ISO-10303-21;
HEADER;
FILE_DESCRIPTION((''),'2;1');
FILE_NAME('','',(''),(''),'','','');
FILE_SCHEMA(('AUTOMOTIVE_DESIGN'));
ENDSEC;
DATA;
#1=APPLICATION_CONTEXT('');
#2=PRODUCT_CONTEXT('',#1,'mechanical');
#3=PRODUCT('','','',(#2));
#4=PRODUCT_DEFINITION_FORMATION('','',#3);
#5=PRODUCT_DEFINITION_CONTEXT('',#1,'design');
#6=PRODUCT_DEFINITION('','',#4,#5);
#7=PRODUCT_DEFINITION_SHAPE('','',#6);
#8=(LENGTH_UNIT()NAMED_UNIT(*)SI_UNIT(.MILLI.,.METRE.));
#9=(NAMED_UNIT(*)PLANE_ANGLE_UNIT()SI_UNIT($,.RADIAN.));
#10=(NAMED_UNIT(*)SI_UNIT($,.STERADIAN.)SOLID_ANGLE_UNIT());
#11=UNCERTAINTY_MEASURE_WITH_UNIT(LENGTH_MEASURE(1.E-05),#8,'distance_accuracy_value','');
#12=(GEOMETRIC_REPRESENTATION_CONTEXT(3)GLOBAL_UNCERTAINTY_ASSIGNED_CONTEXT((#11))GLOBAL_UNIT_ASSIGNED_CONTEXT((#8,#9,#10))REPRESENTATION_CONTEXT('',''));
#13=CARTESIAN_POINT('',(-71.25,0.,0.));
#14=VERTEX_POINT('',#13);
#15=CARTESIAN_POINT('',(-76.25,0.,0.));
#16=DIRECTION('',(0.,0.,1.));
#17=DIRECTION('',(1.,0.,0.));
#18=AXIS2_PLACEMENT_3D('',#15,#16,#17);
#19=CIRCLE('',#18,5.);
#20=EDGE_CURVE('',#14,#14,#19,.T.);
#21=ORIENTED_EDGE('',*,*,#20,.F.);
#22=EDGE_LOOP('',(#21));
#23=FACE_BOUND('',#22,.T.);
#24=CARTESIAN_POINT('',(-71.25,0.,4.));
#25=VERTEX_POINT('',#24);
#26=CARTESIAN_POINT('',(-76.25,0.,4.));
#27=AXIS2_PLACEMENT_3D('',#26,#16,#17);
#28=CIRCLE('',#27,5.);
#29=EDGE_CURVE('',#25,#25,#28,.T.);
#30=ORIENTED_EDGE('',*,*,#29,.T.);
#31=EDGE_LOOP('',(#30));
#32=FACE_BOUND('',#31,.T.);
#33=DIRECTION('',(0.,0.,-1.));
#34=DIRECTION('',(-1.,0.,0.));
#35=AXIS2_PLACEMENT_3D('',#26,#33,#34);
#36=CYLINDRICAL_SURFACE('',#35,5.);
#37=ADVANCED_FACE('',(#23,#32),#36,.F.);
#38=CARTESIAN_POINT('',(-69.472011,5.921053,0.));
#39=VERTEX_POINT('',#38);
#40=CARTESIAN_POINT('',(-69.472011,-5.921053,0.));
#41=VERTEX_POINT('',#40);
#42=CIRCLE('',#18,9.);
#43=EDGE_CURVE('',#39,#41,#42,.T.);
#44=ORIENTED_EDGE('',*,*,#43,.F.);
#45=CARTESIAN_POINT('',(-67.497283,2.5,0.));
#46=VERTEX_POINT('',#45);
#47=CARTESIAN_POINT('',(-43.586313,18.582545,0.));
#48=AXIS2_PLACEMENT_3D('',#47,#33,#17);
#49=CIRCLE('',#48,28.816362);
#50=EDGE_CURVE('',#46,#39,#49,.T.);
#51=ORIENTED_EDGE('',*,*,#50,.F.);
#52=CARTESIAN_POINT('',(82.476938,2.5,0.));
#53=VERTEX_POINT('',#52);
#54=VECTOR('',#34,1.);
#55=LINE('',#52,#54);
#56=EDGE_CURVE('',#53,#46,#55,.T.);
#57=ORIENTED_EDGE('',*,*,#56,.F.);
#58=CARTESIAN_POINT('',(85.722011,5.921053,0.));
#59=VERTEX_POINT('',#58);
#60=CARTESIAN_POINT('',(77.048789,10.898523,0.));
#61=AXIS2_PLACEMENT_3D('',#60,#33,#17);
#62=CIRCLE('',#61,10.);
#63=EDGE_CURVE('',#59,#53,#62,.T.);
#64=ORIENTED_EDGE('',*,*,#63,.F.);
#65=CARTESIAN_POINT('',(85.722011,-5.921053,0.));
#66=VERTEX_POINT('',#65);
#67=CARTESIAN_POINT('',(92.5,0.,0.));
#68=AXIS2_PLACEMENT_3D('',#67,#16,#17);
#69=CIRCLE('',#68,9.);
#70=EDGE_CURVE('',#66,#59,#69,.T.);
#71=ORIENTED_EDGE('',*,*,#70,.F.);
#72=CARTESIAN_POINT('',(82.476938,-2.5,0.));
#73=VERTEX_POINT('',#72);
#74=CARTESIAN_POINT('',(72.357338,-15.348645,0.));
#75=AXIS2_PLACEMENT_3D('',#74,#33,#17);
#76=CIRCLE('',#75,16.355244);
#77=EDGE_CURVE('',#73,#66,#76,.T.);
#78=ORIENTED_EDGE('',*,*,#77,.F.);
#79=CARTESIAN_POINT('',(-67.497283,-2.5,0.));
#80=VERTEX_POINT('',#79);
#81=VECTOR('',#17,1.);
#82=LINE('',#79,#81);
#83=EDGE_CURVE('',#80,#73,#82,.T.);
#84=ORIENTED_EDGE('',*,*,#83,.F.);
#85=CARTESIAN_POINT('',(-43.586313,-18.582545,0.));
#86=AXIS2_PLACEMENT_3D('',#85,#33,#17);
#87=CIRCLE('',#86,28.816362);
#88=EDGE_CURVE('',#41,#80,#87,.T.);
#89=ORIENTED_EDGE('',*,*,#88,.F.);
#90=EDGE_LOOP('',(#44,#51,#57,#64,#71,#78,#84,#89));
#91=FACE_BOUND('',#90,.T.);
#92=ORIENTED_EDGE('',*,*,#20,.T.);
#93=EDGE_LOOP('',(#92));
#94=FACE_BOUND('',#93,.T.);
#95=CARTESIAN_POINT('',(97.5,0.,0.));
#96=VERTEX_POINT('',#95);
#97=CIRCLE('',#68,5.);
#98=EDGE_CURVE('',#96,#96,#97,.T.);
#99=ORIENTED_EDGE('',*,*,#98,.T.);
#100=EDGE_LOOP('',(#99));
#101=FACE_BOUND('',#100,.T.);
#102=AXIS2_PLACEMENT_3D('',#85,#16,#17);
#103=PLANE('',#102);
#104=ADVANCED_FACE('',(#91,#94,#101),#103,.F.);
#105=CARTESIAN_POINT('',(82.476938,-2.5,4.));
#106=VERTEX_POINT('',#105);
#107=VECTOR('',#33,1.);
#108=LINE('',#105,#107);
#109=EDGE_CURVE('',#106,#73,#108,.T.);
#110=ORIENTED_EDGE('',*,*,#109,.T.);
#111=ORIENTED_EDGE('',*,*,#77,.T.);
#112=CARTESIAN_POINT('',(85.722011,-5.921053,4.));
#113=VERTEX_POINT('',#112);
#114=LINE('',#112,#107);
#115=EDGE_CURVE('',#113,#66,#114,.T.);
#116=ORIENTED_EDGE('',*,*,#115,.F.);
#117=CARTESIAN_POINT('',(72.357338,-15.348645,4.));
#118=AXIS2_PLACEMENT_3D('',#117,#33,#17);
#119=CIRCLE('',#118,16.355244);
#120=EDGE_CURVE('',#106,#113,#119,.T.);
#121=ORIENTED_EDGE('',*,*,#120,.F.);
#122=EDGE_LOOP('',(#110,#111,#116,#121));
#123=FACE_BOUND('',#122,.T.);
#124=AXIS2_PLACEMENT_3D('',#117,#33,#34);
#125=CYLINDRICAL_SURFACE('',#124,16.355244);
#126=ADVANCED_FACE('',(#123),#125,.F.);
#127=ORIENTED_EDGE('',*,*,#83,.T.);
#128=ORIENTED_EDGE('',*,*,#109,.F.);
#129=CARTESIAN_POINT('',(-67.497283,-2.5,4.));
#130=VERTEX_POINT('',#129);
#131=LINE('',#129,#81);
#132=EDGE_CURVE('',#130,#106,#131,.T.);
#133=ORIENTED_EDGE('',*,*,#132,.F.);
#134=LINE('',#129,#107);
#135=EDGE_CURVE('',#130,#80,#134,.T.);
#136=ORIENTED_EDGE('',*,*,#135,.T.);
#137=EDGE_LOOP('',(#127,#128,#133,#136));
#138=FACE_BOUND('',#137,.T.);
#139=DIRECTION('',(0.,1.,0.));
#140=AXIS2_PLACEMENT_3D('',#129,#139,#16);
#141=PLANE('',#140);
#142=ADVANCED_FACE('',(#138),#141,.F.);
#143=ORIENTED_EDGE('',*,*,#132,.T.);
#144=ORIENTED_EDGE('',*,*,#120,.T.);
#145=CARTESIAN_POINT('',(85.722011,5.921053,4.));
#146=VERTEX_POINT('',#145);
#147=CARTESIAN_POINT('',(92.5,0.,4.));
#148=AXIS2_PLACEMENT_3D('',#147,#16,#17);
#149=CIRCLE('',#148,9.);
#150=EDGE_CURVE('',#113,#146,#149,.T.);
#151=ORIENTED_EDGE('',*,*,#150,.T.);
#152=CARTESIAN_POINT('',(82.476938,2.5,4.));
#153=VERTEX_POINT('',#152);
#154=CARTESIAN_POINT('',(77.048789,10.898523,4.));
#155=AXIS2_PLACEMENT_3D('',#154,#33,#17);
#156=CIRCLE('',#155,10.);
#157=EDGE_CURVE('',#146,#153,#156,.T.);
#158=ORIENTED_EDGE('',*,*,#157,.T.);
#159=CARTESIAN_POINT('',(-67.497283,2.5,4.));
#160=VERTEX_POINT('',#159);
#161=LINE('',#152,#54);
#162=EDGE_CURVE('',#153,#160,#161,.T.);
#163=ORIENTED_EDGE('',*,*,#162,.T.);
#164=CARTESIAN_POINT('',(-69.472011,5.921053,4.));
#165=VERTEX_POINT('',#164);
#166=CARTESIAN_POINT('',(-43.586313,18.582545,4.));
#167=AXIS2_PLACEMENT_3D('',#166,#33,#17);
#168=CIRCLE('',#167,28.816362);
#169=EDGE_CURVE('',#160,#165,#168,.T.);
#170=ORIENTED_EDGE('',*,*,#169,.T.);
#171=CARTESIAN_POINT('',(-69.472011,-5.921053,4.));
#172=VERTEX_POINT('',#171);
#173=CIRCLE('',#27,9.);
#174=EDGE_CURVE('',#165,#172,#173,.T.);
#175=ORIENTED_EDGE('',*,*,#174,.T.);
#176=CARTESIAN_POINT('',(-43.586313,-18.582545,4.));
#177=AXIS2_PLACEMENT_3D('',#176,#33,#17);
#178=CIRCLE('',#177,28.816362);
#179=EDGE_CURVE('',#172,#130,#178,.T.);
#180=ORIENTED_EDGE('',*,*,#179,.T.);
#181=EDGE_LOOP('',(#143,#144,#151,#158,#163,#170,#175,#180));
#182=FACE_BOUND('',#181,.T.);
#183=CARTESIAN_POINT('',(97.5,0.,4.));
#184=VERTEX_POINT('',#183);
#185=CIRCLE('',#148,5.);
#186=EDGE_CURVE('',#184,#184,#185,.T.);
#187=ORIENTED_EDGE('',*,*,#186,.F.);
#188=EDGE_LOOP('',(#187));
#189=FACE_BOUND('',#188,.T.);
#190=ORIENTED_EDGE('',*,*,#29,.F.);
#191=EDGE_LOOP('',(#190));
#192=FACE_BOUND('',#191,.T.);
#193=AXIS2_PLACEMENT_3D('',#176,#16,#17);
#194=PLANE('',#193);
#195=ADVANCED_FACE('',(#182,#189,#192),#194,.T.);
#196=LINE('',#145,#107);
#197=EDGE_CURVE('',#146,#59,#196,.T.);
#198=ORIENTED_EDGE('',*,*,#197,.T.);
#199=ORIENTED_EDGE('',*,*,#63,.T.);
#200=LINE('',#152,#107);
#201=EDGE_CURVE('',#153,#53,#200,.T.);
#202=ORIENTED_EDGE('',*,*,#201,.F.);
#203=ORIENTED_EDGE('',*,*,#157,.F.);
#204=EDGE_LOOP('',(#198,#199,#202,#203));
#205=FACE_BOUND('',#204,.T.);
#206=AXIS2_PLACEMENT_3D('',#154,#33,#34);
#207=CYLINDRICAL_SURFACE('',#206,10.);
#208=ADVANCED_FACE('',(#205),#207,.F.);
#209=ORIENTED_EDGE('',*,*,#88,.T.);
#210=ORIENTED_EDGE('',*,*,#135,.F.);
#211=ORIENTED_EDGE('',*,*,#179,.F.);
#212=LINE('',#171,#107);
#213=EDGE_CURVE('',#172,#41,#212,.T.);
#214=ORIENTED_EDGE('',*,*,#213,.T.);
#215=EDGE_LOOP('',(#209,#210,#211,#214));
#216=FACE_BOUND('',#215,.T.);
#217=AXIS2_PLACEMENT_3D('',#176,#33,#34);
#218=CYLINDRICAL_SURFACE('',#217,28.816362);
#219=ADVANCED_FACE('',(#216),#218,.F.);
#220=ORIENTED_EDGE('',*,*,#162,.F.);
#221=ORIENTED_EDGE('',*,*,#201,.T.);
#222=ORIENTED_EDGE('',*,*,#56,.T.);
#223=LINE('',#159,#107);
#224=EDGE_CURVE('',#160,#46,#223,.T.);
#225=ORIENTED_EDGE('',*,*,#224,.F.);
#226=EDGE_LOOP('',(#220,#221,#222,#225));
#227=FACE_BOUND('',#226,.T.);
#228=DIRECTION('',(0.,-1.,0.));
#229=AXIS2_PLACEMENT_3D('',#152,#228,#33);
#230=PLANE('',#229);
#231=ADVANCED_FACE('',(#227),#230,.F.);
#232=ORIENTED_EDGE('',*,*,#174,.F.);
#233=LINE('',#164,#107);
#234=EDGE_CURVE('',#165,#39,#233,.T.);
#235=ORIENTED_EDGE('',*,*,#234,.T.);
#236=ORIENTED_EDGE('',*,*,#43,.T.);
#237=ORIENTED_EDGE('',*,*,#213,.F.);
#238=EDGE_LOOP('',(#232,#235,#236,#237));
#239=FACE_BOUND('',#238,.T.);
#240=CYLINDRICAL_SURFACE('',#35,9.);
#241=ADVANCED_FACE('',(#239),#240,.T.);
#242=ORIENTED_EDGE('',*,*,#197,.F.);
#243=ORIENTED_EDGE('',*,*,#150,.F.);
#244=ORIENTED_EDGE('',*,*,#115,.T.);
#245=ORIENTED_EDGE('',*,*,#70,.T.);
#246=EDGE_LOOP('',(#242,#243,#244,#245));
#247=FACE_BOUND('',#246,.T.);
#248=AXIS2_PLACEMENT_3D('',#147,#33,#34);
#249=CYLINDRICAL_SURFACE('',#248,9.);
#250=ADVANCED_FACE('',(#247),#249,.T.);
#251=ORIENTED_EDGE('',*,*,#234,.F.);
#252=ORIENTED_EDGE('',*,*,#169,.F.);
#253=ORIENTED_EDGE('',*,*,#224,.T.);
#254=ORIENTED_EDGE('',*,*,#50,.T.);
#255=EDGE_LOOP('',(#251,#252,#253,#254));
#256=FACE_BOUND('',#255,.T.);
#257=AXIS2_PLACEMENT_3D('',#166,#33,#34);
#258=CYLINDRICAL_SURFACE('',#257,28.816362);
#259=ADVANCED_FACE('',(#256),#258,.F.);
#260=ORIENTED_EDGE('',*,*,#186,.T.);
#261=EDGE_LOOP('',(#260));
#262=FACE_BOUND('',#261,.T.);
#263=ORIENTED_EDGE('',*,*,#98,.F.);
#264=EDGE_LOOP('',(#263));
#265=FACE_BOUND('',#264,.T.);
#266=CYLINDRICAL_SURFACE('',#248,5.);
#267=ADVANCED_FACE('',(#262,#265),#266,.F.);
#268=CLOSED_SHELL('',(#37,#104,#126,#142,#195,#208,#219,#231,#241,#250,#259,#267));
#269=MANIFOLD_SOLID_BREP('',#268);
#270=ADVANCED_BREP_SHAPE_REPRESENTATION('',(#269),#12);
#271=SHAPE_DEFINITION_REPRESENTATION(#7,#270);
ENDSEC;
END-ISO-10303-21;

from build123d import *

# Parameters (mm, degrees)
SKETCH_1_R      = 5
EXTRUDE_1_DEPTH = 4


with BuildPart() as part:
    # 草图1 → 凸台-拉伸1 (new body)
    with BuildSketch(Plane.XY):
        with BuildLine():
            Line((-67.497283214, -2.5), (82.476937878, -2.5))
            ThreePointArc((82.476937878, -2.5), (84.223410122, -4.092965878), (85.722010937, -5.921052632))
            ThreePointArc((85.722010937, -5.921052632), (101.5, 0), (85.722010937, 5.921052632))
            ThreePointArc((85.722010937, 5.921052632), (84.303998499, 4.016522981), (82.476937878, 2.5))
            Line((82.476937878, 2.5), (-67.497283214, 2.5))
            ThreePointArc((-67.497283214, 2.5), (-68.543334858, 4.176650079), (-69.472010937, 5.921052632))
            ThreePointArc((-69.472010937, 5.921052632), (-85.25, 0), (-69.472010937, -5.921052632))
            ThreePointArc((-69.472010937, -5.921052632), (-68.543334858, -4.176650079), (-67.497283214, -2.5))
        make_face()
        with Locations((92.5, 0)):
            Circle(SKETCH_1_R, mode=Mode.SUBTRACT)
        with Locations((-76.25, 0)):
            Circle(SKETCH_1_R, mode=Mode.SUBTRACT)
    extrude(amount=EXTRUDE_1_DEPTH)


solid = part.part
